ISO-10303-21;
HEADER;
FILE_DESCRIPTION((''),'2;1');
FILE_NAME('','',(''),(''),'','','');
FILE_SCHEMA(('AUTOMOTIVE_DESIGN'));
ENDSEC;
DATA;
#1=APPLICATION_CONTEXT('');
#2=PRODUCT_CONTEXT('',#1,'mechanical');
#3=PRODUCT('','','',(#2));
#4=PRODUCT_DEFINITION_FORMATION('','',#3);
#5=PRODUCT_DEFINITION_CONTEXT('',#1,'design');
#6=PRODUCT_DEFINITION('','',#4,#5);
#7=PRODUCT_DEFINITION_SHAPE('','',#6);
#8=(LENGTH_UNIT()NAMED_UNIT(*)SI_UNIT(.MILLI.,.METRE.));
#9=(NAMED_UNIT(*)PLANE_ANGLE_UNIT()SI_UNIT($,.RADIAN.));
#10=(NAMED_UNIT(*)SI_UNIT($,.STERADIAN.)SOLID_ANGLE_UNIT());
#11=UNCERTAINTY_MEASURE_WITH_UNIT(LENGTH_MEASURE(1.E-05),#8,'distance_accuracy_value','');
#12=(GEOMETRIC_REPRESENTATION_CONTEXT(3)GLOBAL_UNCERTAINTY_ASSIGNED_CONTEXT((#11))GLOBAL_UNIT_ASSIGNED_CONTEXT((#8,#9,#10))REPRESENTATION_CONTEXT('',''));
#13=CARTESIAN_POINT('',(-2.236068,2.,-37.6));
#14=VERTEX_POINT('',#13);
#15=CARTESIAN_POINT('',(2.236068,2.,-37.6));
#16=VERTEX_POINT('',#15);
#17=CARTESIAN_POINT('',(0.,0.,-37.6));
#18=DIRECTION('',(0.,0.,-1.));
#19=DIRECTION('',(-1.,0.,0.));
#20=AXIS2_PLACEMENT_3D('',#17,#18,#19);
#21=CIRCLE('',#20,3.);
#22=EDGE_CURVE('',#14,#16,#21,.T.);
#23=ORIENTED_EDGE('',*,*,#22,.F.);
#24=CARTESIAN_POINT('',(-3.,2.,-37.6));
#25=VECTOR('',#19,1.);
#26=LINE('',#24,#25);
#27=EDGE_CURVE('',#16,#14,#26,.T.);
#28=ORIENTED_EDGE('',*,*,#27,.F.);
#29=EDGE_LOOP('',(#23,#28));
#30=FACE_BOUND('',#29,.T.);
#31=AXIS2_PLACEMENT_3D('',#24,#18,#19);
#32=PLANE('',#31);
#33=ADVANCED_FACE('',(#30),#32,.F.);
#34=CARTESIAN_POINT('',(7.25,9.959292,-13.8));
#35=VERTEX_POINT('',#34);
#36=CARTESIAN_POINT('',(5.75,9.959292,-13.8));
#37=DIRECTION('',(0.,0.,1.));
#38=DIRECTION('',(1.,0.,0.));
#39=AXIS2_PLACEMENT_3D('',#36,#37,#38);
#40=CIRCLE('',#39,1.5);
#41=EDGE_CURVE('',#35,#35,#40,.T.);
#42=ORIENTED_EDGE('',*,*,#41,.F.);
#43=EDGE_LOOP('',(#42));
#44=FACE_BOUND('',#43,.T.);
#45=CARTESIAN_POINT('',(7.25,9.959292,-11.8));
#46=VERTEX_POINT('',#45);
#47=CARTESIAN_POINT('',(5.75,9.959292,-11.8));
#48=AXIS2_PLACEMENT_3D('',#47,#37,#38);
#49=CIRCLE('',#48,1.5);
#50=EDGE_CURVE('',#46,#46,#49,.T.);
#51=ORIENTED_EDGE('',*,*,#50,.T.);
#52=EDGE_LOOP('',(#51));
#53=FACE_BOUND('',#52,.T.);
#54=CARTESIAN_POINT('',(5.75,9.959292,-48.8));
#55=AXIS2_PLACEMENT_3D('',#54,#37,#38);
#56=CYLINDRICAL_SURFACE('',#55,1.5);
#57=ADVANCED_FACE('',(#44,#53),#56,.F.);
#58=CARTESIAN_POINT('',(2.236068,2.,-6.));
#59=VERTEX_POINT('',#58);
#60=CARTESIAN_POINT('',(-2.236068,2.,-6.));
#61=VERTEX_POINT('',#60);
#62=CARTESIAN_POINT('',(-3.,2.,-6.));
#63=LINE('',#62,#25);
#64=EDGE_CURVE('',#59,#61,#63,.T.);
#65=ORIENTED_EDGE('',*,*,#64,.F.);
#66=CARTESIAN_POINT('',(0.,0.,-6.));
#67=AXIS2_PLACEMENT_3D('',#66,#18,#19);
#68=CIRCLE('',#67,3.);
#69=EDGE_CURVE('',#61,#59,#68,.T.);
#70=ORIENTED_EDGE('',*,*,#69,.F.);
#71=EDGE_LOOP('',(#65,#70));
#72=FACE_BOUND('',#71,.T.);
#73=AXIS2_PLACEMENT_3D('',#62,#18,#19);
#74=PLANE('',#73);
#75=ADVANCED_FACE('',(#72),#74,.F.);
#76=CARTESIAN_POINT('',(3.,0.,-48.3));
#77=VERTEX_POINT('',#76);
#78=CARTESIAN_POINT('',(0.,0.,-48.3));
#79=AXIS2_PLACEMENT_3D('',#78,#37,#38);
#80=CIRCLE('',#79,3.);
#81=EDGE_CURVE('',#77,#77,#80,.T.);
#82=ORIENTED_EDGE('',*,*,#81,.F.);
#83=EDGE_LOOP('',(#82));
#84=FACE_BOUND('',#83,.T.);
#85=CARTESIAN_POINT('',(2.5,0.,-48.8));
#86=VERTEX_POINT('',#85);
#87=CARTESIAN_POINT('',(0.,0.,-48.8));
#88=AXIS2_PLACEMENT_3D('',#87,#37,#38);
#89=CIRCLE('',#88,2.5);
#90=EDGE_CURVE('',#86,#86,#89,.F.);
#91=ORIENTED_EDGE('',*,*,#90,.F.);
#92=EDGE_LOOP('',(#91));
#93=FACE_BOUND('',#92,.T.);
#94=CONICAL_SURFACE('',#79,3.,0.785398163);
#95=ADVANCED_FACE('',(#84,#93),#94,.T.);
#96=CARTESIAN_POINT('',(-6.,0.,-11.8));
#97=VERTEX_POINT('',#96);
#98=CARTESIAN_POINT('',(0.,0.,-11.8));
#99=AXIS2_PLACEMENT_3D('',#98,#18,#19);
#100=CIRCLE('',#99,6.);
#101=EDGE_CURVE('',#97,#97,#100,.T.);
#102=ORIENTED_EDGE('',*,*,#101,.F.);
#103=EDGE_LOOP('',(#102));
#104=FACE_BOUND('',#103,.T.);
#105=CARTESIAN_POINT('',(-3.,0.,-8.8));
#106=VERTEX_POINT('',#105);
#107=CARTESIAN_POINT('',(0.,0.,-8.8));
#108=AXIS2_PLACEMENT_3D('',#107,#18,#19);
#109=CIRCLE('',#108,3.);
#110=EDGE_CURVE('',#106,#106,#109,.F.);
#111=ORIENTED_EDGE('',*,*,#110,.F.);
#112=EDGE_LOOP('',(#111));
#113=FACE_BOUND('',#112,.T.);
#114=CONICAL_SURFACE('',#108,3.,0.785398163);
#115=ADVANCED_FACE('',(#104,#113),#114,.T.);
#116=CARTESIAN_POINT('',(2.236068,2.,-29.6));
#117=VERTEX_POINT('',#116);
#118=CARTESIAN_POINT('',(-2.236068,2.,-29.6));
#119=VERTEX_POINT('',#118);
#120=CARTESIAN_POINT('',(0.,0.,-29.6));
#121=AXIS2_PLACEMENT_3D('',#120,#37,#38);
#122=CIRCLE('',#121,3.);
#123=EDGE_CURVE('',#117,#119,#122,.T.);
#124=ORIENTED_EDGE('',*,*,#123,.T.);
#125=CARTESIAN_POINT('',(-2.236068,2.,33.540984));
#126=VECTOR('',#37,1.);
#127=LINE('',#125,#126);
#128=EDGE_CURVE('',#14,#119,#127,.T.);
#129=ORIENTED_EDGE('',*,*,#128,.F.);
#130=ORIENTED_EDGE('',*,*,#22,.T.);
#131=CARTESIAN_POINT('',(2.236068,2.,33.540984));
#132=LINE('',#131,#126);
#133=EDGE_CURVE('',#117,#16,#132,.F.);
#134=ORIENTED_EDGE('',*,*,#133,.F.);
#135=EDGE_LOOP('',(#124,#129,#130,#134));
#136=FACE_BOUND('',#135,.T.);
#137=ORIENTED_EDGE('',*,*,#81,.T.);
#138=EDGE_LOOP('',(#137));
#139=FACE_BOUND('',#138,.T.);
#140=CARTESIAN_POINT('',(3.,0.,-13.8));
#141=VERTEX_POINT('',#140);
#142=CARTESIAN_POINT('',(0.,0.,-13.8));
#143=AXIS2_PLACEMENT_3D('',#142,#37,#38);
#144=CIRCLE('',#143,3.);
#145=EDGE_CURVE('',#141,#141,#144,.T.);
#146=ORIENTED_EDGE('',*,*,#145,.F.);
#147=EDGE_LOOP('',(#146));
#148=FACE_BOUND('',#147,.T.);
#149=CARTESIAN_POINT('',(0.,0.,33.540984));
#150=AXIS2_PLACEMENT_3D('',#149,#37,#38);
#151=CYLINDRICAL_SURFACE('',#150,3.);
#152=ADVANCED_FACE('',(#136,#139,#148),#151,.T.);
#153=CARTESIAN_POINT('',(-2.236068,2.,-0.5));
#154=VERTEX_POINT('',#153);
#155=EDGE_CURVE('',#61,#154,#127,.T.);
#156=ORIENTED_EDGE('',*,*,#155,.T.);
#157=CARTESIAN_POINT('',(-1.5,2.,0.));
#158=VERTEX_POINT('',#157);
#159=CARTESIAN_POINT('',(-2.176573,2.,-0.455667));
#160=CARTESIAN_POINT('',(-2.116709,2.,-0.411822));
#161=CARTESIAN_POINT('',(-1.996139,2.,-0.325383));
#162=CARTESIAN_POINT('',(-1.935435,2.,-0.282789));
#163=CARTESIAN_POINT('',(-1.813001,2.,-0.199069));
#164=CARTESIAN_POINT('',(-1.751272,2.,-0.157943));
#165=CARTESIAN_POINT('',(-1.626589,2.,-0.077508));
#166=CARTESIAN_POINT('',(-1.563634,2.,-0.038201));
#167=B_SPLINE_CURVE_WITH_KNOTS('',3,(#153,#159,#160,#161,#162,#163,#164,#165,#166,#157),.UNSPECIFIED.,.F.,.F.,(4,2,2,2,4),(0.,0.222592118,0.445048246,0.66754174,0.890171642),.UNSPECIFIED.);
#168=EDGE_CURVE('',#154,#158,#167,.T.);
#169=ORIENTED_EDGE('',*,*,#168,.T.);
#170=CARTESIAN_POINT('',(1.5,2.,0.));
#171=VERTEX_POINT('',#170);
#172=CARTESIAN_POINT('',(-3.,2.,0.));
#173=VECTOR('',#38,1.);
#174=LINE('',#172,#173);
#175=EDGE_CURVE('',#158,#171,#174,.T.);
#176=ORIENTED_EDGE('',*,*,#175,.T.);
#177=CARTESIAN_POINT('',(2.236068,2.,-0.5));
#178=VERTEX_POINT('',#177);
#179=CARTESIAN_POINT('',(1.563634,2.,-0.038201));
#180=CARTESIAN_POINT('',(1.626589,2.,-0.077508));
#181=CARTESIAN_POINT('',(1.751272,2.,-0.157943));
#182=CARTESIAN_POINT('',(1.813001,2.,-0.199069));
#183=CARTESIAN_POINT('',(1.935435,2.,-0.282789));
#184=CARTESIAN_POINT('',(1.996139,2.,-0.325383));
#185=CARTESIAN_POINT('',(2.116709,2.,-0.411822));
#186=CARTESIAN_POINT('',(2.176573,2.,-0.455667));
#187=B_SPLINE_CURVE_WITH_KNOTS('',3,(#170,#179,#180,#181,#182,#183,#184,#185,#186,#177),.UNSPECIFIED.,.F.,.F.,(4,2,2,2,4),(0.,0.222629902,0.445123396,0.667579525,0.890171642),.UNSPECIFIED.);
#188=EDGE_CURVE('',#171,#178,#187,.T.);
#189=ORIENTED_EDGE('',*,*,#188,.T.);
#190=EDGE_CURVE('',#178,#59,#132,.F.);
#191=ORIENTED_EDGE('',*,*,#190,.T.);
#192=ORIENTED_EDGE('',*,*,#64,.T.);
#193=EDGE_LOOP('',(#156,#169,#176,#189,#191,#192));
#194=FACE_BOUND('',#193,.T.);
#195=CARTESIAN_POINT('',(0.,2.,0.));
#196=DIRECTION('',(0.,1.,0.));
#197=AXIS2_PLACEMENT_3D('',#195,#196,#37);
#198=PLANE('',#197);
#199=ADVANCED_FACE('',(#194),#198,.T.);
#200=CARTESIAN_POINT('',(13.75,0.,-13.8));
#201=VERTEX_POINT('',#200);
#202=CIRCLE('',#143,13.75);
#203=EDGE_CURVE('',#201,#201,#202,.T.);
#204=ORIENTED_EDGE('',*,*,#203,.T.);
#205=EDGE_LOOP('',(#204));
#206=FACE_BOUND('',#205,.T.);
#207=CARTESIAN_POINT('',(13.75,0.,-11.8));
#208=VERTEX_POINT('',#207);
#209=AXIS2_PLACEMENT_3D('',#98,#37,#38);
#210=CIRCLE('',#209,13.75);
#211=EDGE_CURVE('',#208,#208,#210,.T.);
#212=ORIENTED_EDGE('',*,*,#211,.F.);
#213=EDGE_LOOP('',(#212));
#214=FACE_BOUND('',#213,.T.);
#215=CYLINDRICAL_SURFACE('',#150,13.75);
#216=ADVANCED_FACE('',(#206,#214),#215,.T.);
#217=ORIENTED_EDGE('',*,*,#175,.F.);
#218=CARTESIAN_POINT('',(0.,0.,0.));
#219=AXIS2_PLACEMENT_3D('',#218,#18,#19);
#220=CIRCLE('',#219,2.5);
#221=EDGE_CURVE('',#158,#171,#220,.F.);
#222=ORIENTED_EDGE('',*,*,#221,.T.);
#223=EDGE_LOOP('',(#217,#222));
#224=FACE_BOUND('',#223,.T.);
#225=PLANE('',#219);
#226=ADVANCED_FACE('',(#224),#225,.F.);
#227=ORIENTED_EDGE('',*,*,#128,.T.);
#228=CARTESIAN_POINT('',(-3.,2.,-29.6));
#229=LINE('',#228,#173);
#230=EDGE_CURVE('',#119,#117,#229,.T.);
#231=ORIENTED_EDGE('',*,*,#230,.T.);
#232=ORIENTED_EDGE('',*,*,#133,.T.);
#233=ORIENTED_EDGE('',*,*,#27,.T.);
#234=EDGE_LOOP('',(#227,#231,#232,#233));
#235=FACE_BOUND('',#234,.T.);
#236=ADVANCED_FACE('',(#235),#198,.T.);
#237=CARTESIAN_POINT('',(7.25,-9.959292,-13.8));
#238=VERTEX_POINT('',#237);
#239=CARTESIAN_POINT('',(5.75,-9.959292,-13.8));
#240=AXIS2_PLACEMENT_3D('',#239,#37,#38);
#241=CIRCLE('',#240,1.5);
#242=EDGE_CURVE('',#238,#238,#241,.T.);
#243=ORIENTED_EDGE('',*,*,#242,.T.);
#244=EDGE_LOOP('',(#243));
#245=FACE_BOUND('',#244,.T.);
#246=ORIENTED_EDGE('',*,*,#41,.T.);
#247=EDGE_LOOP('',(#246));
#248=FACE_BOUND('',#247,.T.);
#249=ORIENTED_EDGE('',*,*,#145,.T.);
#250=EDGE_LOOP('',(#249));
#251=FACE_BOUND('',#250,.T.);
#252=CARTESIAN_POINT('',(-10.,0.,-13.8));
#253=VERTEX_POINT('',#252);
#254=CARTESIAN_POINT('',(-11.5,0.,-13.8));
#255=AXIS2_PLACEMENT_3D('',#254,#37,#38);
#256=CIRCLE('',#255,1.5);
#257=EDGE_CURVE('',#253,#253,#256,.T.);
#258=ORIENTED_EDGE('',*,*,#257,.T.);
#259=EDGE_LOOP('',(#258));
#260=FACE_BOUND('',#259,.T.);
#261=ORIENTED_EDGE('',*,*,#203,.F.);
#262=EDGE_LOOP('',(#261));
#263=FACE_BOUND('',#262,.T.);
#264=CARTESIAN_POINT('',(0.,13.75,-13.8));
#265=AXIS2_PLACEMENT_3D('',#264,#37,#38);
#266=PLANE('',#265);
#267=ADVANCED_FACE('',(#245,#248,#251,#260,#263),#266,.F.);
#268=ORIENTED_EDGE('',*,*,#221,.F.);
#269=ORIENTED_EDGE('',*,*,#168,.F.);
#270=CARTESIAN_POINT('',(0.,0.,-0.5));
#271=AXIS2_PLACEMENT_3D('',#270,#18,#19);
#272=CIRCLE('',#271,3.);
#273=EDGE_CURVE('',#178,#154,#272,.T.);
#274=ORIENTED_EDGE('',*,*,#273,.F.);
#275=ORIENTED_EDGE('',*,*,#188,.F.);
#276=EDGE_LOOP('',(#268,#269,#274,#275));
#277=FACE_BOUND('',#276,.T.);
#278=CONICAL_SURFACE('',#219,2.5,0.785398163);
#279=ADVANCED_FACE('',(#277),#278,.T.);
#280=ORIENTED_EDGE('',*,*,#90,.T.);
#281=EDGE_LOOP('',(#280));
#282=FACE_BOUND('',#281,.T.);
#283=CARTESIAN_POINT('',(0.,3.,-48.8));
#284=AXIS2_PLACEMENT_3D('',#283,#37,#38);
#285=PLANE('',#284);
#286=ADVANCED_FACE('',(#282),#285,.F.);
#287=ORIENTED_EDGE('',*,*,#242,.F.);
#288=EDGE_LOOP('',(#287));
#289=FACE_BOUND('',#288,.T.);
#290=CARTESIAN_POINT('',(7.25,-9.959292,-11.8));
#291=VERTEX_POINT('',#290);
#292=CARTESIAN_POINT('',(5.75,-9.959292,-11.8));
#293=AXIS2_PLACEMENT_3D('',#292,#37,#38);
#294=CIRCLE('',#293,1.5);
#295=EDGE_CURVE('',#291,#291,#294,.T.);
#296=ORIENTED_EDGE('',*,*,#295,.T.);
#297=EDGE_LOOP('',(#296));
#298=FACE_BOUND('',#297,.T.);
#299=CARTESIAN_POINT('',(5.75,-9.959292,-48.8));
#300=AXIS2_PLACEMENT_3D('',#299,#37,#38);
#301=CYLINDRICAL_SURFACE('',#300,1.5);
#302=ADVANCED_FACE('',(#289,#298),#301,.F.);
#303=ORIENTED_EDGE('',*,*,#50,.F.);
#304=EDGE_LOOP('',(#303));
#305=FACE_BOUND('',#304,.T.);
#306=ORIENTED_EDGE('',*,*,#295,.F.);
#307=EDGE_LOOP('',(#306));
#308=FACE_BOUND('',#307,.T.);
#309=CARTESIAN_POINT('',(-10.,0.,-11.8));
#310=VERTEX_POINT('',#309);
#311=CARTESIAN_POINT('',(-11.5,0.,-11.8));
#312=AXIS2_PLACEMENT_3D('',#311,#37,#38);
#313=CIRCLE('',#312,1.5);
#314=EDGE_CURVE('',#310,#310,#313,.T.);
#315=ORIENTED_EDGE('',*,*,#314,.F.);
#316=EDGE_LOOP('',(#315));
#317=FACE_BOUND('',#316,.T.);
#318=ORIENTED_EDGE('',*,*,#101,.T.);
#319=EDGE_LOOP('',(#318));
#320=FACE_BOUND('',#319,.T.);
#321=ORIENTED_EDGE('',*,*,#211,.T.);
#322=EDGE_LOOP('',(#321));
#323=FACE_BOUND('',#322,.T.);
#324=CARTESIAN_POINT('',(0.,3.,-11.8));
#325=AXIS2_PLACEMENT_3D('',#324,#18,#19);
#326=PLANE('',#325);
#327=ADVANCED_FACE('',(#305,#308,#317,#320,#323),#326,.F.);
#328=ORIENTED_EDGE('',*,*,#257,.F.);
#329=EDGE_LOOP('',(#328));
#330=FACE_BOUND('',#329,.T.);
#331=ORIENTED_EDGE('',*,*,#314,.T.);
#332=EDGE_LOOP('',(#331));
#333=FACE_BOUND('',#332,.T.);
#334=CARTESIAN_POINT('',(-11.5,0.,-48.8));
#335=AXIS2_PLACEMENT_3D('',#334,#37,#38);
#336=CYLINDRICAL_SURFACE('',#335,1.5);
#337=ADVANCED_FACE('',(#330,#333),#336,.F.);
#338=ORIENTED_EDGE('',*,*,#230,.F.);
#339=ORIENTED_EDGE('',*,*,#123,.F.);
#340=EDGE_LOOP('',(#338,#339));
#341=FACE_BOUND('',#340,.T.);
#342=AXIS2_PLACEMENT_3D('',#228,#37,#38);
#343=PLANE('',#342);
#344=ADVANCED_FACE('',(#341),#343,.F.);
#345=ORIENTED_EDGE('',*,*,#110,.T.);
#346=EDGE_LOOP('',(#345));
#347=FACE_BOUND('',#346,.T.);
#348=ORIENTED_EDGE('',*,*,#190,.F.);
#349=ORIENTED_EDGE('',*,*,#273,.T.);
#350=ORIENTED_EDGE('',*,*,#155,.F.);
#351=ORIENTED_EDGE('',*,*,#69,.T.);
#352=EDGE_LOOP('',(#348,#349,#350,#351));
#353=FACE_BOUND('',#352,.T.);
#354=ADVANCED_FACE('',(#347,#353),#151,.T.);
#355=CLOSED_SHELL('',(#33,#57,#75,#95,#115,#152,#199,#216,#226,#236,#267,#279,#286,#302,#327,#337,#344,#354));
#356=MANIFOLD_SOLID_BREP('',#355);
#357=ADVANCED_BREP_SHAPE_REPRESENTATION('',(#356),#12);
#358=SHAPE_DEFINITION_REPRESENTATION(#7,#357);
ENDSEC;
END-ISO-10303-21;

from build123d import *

# Parameters (mm, degrees)
CUT_EXTRUDE_START   = 3
SKETCH_2_W          = 6
SKETCH_2_H          = 8
SKETCH_2_H_2        = 6
CUT_EXTRUDE_1_DEPTH = 1
CHAMFER_1_SIZE      = 3
SKETCH_3_R          = 1.5
CUT_EXTRUDE_4_DEPTH = 42.798624379
CHAMFER_2_SIZE      = 0.5


with BuildPart() as part:
    # 草图1 → 旋转1 (revolve)
    with BuildSketch(Plane(origin=(0, 0, 0), x_dir=(0, 0, -1), z_dir=(1, 0, 0)), mode=Mode.PRIVATE) as revolve_1_sk:
        Polygon((0, 0), (0, 3), (11.8, 3), (11.8, 13.75), (13.8, 13.75), (13.8, 3), (48.8, 3), (48.8, 0), align=None)
    revolve(revolve_1_sk.sketch.rotate(Axis((0, 0, 33.540983607), (0, 0, -1)), 90), axis=Axis((0, 0, 33.540983607), (0, 0, -1)))

    # 草图2 → 切除-拉伸1 (cut)
    with BuildSketch(Plane(origin=(0, 0, 0), x_dir=(1, 0, 0), z_dir=(0, 1, 0)).offset(CUT_EXTRUDE_START)):
        with Locations((0, 33.6)):
            Rectangle(SKETCH_2_W, SKETCH_2_H)
        with Locations((0, 3)):
            Rectangle(SKETCH_2_W, SKETCH_2_H_2)
    extrude(amount=-CUT_EXTRUDE_1_DEPTH, mode=Mode.SUBTRACT)

    # 倒角1
    chamfer_1_edges = [part.edges().sort_by_distance(p)[0] for p in [
        (-3, 0, -11.8),
    ]]
    chamfer(chamfer_1_edges, length=CHAMFER_1_SIZE)

    # 草图3 → 切除-拉伸4 (cut, through all)
    with BuildSketch(Plane.XY.offset(-11.8)):
        with Locations((5.75, -9.959292144)):
            Circle(SKETCH_3_R)
        with Locations((-11.5, 0)):
            Circle(SKETCH_3_R)
        with Locations((5.75, 9.959292144)):
            Circle(SKETCH_3_R)
    extrude(amount=-CUT_EXTRUDE_4_DEPTH, mode=Mode.SUBTRACT)

    # 倒角2
    chamfer_2_edges = [part.edges().sort_by_distance(p)[0] for p in [
        (-1.070466269, -2.802517077, 0),
        (-3, 0, -48.8),
    ]]
    chamfer(chamfer_2_edges, length=CHAMFER_2_SIZE)


solid = part.part
